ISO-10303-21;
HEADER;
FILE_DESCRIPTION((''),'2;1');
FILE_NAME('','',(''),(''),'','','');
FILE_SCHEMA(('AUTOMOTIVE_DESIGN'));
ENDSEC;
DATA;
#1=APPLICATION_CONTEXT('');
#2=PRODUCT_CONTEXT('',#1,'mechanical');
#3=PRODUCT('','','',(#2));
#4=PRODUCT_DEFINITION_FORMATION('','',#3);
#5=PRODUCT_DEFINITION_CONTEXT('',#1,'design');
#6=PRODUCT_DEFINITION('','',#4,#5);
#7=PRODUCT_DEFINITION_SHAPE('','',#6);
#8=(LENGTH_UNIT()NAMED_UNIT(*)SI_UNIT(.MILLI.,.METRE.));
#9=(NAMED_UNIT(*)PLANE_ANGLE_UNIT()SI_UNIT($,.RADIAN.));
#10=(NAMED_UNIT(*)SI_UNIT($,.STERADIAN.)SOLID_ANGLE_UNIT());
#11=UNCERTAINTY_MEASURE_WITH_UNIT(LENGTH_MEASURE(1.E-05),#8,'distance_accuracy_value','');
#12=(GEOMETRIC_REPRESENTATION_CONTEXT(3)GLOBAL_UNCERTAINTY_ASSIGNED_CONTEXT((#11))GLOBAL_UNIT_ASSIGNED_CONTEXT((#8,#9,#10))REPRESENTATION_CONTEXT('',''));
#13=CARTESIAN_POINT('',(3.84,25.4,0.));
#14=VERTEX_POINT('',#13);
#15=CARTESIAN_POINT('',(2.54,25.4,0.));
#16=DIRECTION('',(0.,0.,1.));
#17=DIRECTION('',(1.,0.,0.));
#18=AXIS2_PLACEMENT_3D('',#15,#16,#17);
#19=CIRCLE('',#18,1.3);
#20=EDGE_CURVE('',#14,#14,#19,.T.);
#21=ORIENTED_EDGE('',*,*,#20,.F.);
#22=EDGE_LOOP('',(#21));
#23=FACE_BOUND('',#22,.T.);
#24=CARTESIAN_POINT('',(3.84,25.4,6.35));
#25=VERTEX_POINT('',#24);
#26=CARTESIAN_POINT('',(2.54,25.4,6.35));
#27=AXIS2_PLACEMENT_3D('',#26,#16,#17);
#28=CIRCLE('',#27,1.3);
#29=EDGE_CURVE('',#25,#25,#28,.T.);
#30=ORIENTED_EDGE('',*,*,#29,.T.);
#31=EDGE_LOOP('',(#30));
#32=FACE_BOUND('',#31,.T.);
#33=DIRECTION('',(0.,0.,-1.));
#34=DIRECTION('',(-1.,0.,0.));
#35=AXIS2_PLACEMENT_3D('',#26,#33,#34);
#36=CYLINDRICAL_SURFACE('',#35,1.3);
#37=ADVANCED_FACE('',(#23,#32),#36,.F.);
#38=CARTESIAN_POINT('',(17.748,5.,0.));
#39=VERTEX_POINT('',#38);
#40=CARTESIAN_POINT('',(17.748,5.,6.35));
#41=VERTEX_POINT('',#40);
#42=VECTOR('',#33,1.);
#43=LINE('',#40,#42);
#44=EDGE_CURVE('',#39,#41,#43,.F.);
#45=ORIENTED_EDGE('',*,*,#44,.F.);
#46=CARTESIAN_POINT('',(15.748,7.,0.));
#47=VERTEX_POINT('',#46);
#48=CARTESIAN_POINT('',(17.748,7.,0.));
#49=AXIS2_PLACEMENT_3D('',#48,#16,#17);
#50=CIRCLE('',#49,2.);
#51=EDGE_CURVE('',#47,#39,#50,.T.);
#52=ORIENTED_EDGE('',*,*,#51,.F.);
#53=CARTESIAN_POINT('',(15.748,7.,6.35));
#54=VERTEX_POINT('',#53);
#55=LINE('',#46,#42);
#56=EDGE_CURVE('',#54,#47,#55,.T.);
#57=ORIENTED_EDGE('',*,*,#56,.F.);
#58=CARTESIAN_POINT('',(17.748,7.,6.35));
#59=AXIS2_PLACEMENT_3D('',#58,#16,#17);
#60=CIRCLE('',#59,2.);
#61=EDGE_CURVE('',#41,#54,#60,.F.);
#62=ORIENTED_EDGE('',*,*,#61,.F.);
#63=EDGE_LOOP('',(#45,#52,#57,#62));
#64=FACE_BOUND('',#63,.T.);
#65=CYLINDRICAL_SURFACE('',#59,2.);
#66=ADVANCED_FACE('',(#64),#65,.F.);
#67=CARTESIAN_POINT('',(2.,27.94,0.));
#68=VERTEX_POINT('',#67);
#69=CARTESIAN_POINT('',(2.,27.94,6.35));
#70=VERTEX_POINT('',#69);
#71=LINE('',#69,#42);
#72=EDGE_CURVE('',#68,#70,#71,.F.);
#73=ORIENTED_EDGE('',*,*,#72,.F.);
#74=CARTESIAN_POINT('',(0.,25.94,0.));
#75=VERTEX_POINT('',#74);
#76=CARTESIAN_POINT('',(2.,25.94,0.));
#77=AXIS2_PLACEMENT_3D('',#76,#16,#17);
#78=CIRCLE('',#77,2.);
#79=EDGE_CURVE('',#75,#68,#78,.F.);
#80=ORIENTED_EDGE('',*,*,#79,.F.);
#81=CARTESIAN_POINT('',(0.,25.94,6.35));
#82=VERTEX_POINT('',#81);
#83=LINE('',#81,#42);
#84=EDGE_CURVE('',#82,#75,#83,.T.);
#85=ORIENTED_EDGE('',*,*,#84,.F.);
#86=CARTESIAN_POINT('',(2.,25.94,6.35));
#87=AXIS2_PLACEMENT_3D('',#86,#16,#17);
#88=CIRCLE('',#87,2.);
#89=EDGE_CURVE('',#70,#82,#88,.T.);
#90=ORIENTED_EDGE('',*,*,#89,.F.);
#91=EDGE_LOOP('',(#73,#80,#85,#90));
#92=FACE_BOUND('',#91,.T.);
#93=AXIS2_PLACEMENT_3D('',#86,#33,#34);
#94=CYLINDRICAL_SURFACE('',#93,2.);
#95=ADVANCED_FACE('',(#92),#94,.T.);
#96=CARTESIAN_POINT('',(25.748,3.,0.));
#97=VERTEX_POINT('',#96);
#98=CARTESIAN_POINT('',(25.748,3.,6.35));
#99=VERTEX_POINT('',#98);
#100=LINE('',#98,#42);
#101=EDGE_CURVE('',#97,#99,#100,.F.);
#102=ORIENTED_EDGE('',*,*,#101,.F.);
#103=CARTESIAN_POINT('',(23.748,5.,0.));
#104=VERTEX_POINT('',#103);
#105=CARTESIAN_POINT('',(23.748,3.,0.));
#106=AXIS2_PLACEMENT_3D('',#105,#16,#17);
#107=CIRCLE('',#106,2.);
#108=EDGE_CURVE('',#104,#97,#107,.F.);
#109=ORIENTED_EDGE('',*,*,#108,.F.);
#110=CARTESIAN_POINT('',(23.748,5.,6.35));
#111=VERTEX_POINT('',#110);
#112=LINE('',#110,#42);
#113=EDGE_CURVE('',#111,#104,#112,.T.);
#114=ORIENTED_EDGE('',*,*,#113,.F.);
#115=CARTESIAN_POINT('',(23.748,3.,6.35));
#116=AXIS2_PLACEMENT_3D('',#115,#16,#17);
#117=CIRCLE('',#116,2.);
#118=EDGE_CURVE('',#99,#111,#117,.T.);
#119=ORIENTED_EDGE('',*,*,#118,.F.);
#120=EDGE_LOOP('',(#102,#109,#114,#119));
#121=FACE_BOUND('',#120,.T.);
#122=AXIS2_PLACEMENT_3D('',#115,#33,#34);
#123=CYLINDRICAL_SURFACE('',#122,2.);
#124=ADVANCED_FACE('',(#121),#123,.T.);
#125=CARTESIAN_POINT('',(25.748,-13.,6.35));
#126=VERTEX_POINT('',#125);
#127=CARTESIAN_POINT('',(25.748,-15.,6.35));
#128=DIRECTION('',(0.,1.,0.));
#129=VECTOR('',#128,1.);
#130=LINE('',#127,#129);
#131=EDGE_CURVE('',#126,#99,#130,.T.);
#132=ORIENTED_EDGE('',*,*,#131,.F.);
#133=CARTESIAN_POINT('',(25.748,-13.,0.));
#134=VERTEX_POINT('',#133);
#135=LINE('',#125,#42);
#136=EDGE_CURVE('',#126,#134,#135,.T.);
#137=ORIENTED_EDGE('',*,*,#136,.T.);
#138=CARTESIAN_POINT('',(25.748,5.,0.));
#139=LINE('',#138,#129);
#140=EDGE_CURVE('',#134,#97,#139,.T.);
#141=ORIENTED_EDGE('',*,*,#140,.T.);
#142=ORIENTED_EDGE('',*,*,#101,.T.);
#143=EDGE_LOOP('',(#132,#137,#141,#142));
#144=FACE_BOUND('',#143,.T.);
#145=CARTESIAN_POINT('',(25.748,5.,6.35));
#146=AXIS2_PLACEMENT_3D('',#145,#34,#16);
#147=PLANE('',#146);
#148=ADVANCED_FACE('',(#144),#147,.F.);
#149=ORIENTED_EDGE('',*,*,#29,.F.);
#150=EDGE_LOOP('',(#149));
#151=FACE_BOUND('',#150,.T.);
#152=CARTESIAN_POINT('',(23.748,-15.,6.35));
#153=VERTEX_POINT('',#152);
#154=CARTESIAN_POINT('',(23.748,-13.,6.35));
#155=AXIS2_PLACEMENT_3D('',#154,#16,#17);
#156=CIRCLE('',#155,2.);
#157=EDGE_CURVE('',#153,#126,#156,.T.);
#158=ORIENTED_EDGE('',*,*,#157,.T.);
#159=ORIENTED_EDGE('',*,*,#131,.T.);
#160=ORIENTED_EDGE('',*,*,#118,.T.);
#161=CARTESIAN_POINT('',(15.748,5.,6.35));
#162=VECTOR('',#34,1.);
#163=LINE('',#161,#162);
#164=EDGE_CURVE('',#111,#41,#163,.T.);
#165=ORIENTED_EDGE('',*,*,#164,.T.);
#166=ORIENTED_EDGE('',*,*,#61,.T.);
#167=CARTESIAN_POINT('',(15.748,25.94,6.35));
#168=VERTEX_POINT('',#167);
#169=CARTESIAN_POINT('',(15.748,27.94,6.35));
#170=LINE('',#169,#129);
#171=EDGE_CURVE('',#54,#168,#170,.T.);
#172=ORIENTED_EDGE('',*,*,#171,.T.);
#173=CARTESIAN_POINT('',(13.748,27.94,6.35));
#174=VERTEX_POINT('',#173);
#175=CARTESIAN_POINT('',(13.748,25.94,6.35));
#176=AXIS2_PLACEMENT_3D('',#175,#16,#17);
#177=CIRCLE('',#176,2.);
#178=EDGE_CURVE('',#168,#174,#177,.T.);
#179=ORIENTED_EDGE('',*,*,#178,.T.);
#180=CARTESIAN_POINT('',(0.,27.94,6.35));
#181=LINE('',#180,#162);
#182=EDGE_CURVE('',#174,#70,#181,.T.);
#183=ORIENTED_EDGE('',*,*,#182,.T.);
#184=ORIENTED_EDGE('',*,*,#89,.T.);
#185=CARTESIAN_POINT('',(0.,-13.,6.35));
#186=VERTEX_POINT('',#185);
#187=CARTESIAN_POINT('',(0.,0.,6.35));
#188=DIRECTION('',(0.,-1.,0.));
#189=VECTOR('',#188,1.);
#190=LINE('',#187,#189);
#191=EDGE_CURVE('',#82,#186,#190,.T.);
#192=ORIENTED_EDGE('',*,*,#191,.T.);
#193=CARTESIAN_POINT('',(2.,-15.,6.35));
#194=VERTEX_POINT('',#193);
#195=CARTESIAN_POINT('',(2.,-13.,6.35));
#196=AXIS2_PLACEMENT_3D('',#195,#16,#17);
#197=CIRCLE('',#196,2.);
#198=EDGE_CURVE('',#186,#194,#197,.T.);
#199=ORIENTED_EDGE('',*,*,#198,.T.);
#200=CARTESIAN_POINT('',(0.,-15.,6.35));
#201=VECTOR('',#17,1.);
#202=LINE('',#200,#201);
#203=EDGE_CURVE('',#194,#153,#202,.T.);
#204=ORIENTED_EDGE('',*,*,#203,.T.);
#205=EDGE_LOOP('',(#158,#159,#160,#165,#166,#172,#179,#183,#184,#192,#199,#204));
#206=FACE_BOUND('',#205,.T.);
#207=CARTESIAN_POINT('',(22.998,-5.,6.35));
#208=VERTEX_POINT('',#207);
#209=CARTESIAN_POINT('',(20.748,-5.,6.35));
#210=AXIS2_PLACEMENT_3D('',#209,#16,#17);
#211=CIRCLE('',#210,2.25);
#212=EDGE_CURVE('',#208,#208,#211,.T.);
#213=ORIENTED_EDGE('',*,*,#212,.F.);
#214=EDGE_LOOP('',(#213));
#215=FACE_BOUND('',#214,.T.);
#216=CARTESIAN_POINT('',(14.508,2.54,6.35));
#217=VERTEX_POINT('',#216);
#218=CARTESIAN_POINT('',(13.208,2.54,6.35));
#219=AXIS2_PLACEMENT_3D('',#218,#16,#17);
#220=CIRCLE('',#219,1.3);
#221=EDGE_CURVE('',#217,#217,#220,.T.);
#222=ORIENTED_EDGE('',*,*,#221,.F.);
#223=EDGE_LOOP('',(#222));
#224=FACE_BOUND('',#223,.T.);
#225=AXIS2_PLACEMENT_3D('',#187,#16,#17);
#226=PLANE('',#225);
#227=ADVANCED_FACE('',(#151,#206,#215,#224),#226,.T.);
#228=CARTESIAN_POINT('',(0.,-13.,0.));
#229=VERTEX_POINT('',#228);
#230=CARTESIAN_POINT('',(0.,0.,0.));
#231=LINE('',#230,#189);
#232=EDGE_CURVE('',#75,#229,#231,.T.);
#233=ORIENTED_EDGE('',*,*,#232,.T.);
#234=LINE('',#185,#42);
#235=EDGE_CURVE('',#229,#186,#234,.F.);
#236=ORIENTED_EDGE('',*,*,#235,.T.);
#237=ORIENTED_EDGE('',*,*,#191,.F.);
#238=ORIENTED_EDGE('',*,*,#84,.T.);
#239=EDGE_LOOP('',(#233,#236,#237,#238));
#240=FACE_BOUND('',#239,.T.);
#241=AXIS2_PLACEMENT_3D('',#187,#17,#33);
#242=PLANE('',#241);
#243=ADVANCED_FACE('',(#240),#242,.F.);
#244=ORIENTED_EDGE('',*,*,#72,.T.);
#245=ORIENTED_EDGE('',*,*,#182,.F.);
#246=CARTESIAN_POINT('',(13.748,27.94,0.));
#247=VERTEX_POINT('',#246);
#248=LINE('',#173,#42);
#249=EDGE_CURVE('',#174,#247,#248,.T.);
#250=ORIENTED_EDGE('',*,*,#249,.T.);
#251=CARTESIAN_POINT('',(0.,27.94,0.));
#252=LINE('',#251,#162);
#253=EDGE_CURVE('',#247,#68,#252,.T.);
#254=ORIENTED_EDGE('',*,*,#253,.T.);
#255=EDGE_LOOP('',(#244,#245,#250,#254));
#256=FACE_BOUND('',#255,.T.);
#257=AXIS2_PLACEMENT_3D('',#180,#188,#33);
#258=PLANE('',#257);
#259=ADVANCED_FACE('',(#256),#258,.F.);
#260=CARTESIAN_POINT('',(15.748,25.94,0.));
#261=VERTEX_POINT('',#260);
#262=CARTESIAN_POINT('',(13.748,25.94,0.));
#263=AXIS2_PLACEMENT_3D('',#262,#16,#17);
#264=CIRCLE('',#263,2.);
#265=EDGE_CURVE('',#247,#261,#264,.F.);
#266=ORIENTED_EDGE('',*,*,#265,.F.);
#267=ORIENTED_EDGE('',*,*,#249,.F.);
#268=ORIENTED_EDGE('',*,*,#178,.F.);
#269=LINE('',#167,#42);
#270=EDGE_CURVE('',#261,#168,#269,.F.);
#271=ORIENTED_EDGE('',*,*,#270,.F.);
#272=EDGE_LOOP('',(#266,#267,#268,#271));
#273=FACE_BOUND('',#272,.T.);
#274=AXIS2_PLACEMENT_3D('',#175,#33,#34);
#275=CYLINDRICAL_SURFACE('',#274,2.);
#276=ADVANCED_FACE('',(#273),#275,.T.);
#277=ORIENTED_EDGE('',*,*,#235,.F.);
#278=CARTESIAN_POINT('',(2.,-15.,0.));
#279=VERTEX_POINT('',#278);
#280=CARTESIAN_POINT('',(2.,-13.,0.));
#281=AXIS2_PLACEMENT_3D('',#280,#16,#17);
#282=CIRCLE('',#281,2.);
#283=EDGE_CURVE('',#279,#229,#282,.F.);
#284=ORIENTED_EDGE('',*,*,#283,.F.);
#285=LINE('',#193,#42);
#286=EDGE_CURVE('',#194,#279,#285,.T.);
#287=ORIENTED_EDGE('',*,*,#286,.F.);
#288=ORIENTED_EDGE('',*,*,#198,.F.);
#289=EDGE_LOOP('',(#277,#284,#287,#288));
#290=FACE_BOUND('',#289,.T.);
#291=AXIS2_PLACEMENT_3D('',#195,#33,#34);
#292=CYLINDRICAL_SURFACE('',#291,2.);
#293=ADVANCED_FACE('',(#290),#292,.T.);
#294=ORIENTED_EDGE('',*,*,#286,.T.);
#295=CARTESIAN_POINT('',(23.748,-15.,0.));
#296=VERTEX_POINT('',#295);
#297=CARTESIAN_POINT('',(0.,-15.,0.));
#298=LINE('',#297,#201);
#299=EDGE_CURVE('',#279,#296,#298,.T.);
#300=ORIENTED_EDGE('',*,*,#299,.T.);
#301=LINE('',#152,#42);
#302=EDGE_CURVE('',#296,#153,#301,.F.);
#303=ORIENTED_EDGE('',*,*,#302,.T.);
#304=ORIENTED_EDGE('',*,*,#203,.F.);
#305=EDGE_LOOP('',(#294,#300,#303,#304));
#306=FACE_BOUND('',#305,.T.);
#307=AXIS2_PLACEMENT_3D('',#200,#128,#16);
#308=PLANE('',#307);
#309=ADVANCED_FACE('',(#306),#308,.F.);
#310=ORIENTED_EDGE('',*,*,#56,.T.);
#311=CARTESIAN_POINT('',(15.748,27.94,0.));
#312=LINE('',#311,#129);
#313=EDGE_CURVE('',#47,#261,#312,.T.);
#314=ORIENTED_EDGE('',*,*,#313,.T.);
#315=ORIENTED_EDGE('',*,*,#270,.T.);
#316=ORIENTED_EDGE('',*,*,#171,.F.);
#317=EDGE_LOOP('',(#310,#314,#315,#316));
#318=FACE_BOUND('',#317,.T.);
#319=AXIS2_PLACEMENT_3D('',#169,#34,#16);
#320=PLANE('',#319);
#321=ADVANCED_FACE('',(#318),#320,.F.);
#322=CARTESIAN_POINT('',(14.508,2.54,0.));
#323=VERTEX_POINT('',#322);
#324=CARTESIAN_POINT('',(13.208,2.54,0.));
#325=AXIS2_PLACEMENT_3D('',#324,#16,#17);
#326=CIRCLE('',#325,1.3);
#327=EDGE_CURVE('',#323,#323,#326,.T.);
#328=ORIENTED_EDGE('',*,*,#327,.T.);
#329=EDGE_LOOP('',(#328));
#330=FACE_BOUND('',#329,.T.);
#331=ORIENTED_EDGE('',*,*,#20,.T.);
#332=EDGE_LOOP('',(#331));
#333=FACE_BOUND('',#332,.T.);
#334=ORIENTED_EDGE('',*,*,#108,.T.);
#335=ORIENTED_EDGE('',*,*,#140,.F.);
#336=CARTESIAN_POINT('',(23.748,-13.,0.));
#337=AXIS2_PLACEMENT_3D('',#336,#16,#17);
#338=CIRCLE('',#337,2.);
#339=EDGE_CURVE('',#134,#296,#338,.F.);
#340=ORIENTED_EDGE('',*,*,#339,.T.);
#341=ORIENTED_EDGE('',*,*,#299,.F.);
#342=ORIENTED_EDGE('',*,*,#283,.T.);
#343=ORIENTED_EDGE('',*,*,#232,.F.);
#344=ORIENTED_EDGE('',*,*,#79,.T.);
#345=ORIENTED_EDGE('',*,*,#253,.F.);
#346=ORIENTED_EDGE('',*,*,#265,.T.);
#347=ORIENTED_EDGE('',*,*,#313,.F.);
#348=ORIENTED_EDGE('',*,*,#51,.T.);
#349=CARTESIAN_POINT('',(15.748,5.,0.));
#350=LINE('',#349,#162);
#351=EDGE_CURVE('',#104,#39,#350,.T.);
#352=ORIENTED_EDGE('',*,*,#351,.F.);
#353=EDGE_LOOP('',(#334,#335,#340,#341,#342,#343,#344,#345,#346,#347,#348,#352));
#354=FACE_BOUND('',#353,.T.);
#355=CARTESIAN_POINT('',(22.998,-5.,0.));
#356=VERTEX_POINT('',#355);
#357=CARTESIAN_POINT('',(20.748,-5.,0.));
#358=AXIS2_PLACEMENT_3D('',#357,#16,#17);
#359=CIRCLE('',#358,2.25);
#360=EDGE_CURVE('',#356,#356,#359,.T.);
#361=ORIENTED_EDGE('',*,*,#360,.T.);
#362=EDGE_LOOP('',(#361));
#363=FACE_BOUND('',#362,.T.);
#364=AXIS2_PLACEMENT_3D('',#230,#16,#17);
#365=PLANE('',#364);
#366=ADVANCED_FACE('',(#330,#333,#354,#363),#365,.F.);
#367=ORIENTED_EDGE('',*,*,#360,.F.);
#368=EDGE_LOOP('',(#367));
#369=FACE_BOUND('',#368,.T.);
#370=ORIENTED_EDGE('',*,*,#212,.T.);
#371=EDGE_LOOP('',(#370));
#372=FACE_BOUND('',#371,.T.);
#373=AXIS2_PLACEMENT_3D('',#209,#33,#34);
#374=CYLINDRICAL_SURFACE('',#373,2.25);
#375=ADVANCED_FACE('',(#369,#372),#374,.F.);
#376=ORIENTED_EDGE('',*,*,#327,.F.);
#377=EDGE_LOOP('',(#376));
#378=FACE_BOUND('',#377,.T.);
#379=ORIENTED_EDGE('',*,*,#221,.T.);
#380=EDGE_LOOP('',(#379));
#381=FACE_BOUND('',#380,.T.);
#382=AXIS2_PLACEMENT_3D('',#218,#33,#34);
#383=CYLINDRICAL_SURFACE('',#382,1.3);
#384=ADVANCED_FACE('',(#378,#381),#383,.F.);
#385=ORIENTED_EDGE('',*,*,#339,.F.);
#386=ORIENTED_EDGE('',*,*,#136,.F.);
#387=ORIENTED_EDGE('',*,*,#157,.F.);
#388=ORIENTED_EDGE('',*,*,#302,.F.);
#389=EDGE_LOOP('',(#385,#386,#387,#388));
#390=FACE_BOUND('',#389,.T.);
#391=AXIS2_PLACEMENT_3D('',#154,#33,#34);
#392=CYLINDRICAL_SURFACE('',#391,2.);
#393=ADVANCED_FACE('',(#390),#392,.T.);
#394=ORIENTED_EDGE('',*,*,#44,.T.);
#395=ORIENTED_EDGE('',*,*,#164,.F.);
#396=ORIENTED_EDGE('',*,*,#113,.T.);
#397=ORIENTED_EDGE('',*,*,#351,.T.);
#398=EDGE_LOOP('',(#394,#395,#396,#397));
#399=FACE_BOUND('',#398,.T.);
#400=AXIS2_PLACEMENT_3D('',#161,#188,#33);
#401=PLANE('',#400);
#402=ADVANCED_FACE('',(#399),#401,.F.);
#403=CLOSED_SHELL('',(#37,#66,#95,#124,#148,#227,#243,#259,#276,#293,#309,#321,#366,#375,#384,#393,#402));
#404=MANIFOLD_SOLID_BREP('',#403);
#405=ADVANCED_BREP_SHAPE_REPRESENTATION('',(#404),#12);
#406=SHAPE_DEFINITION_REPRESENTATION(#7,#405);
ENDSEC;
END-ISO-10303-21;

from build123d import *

# Parameters (mm, degrees)
SKETCH1_R           = 2.25
SKETCH1_R_2         = 1.3
BOSS_EXTRUDE1_DEPTH = 6.35
FILLET1_R           = 2


with BuildPart() as part:
    # Sketch1 → Boss-Extrude1 (new body)
    with BuildSketch(Plane.XY):
        Polygon((0, 0), (0, 27.94), (15.748, 27.94), (15.748, 5), (25.748, 5), (25.748, 0), (25.748, -15), (0, -15), align=None)
        with Locations((20.748, -5)):
            Circle(SKETCH1_R, mode=Mode.SUBTRACT)
        with Locations((2.54, 25.4)):
            Circle(SKETCH1_R_2, mode=Mode.SUBTRACT)
        with Locations((13.208, 2.54)):
            Circle(SKETCH1_R_2, mode=Mode.SUBTRACT)
    extrude(amount=BOSS_EXTRUDE1_DEPTH)

    # Fillet1
    fillet1_edges = [part.edges().sort_by_distance(p)[0] for p in [
        (0, 27.94, 3.175),
        (15.748, 27.94, 3.175),
        (15.748, 5, 3.175),
        (25.748, 5, 3.175),
        (25.748, -15, 3.175),
        (0, -15, 3.175),
    ]]
    fillet(fillet1_edges, radius=FILLET1_R)


solid = part.part
